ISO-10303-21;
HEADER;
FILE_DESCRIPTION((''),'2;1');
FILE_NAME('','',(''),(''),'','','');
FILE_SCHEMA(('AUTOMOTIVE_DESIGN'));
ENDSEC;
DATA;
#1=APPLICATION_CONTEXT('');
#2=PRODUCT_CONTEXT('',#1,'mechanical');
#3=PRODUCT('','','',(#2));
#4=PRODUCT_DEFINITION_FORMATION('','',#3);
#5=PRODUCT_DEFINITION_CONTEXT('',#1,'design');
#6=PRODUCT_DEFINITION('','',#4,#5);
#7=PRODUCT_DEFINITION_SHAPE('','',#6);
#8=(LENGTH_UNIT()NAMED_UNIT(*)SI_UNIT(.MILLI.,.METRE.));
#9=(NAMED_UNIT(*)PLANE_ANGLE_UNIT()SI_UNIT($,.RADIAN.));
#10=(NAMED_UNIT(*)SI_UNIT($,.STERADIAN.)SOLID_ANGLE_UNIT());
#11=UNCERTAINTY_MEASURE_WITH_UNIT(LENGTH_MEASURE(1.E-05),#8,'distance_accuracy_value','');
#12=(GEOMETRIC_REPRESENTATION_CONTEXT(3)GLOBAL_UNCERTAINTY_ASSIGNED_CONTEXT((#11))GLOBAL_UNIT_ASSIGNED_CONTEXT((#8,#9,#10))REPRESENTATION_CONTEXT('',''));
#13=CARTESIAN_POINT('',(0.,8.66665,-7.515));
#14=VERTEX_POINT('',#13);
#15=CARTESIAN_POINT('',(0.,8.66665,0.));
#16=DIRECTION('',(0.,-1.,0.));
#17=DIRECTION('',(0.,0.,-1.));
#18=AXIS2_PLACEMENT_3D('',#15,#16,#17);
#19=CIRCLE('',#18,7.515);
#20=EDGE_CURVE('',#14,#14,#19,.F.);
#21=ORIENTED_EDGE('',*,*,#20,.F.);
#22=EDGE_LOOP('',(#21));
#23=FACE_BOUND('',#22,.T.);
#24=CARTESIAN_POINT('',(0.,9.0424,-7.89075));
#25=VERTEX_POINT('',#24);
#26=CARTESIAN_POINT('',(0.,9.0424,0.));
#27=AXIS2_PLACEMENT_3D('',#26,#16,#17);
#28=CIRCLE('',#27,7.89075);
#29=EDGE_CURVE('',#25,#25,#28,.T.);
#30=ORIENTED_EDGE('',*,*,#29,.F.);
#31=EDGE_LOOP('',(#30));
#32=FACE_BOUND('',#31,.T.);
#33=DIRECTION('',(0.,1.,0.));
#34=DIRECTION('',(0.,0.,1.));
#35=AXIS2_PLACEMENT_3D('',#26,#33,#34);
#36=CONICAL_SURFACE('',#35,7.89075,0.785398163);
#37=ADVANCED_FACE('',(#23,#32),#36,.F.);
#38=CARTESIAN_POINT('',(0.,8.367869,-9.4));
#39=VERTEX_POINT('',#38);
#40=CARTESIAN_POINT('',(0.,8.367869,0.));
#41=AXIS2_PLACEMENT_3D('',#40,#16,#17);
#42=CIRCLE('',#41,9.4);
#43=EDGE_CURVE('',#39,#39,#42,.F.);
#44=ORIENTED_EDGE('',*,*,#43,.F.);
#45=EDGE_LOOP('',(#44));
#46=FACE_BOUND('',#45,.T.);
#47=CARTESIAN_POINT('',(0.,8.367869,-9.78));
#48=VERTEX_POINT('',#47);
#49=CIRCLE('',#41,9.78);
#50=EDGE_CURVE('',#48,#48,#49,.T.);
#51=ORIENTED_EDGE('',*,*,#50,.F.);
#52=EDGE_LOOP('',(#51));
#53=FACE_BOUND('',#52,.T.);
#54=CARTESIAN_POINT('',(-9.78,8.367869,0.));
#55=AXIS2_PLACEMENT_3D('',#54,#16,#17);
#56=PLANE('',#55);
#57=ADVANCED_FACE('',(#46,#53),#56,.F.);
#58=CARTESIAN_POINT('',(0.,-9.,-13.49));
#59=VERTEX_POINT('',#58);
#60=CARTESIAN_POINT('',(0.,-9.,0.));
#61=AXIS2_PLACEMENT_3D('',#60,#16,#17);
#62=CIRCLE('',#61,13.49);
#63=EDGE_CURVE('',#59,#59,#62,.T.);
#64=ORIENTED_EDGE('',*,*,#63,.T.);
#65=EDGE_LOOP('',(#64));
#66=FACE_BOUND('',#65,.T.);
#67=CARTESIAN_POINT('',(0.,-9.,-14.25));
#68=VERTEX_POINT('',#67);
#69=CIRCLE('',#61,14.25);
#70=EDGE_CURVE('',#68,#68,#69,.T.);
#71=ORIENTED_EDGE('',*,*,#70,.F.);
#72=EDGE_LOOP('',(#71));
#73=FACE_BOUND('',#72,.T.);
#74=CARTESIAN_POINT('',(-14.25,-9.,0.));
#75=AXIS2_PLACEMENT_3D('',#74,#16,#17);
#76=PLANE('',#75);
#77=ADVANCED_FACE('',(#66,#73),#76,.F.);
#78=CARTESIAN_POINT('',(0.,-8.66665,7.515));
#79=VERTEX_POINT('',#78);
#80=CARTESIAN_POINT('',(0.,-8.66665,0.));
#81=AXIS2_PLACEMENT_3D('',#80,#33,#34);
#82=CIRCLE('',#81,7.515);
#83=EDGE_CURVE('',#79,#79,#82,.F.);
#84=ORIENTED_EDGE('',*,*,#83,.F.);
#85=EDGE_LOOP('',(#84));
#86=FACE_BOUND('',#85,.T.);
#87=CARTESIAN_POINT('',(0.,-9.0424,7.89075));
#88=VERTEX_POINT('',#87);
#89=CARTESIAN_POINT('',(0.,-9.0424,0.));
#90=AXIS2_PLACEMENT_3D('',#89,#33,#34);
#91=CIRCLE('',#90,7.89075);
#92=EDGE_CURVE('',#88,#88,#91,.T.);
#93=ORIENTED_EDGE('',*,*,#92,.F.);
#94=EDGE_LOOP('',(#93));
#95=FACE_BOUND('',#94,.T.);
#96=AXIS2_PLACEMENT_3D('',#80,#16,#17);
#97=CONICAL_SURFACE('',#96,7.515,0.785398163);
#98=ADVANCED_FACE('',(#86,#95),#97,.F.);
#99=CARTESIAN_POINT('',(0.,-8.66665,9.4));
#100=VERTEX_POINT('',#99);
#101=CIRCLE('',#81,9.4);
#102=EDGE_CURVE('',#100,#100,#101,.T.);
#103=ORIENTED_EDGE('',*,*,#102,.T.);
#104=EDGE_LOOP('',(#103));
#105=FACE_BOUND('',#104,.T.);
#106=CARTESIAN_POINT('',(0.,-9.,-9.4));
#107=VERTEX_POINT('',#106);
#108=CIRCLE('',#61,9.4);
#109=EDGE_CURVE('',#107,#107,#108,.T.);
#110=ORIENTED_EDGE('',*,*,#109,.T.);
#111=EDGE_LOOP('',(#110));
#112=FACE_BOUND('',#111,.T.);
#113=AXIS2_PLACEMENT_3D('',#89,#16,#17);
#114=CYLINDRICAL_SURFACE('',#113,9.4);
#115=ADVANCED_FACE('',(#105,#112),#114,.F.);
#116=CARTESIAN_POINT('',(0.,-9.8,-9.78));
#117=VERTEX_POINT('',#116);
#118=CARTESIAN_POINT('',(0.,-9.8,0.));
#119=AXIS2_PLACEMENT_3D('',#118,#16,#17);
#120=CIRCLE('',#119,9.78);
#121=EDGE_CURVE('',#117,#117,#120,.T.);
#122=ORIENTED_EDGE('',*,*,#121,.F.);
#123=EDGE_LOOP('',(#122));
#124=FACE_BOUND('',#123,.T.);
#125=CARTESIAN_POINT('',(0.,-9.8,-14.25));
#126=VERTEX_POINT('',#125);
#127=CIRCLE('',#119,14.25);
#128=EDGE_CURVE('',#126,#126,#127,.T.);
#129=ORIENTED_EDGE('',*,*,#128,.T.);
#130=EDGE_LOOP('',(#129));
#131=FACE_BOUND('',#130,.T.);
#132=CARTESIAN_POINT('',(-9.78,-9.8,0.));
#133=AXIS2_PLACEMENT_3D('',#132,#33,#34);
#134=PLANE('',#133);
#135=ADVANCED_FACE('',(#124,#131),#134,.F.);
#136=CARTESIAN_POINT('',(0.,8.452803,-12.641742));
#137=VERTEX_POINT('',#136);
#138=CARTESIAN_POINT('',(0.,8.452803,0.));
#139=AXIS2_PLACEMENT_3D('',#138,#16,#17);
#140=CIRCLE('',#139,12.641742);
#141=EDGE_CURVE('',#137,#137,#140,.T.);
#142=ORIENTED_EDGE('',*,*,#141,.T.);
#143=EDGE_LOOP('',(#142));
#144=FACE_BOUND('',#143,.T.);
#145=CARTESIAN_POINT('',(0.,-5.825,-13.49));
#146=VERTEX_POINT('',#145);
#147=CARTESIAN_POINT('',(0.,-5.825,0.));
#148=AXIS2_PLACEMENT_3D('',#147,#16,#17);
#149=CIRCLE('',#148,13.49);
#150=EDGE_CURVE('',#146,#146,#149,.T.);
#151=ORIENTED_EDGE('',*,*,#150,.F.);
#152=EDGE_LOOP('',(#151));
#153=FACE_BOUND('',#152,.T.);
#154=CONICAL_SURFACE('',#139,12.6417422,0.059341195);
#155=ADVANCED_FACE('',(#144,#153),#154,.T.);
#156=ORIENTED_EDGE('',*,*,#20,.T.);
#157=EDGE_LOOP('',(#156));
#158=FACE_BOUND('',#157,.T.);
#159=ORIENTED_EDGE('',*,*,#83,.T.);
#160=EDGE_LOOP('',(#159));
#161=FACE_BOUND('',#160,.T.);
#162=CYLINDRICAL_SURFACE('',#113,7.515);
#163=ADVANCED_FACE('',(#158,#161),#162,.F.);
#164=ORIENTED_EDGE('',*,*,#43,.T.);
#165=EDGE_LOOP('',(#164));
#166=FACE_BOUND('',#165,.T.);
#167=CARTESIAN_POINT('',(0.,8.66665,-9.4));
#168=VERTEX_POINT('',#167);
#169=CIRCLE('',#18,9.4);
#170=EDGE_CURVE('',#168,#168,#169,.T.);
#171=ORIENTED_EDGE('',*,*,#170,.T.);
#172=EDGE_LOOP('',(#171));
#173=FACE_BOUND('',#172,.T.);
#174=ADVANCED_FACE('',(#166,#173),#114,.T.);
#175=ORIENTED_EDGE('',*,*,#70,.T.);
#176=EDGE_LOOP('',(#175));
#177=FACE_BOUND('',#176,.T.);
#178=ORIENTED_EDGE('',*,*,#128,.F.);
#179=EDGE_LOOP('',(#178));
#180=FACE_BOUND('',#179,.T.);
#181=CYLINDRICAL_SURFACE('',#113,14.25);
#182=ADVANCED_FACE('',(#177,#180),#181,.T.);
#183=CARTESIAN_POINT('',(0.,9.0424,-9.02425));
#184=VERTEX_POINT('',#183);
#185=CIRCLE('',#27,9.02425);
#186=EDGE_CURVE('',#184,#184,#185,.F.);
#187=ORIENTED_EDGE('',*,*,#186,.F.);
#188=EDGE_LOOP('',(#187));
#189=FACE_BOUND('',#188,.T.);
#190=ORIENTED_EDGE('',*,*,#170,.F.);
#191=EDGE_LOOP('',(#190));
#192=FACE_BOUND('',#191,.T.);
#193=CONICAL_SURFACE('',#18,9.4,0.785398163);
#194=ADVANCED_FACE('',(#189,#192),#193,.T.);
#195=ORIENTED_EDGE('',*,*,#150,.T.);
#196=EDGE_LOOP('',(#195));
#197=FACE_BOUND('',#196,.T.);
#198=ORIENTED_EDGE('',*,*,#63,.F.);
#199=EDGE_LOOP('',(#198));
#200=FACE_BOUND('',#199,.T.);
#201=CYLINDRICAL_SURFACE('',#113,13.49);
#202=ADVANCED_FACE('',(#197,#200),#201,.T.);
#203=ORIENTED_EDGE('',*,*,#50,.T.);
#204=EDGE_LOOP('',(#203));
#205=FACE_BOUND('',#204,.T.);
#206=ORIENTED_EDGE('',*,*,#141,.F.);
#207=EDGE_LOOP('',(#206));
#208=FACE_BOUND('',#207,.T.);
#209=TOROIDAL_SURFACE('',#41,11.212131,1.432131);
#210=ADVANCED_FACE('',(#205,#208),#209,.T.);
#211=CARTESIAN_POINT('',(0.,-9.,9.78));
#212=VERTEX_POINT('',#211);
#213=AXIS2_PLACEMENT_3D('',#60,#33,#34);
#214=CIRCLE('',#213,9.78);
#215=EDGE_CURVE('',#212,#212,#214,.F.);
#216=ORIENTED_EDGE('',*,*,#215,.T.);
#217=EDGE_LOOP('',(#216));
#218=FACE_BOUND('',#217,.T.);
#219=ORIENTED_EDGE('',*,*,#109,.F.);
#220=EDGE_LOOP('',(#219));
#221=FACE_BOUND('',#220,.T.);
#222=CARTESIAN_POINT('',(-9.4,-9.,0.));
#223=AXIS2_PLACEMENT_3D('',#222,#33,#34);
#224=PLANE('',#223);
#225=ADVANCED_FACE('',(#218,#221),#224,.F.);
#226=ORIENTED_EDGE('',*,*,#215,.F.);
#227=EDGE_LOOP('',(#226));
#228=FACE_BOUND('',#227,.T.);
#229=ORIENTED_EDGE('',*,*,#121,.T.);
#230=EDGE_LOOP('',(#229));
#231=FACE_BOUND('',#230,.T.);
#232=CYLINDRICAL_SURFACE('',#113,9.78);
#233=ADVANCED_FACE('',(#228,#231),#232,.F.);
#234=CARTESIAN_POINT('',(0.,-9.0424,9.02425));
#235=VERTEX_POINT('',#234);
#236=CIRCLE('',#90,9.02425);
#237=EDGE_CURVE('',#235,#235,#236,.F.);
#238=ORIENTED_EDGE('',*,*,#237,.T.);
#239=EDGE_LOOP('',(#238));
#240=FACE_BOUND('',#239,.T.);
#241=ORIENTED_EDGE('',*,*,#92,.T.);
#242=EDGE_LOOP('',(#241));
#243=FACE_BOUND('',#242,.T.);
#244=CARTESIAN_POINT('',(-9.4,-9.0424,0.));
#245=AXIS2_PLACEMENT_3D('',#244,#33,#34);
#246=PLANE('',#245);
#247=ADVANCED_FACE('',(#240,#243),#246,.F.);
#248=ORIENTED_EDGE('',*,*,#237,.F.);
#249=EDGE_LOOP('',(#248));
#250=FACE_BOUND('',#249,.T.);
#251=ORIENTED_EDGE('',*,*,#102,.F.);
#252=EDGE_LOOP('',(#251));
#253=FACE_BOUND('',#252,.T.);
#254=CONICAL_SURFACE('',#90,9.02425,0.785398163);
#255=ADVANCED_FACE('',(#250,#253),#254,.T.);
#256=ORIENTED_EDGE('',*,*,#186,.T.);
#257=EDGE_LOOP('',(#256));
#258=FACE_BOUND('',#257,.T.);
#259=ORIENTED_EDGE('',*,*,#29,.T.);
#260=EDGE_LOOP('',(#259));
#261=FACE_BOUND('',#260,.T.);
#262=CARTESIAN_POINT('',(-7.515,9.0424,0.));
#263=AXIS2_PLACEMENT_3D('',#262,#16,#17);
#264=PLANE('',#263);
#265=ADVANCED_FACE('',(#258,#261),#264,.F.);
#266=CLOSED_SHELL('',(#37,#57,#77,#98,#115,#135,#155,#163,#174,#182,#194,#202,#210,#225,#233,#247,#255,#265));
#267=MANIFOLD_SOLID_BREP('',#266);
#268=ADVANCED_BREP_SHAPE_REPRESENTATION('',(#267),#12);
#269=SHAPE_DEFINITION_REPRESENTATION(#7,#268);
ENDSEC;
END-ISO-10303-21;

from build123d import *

# Parameters (mm, degrees)
SKETCH3_W     = 1.885
SKETCH3_H     = 18.0848
CHAMFER1_SIZE = 0.37575
SKETCH4_W     = 0.38
SKETCH4_H     = 17.367868501


with BuildPart() as part:
    # Sketch2 → Outer (revolve)
    with BuildSketch(Plane.XY):
        with BuildLine():
            Line((-14.25, -9.8), (-14.25, -9))
            Line((-14.25, -9), (-13.49, -9))
            Line((-13.49, -9), (-13.49, -5.825))
            Line((-13.49, -5.825), (-12.6417422, 8.452803027))
            ThreePointArc((-12.6417422, 8.452803027), (-11.169645536, 9.799369662), (-9.78, 8.367868501))
            Line((-9.78, 8.367868501), (-9.78, -9.8))
            Line((-9.78, -9.8), (-14.25, -9.8))
        make_face()
    revolve(axis=Axis((0, -9.0424, 0), (0, 1, 0)))



with BuildPart() as body_2:
    # Sketch3 → Inner (revolve)
    with BuildSketch(Plane.XY):
        with Locations((-8.4575, 0)):
            Rectangle(SKETCH3_W, SKETCH3_H)
    revolve(axis=Axis((0, -9.0424, 0), (0, 1, 0)))

    # Chamfer1
    chamfer1_edges = [body_2.edges().sort_by_distance(p)[0] for p in [
        (7.515, 9.0424, 0),
        (7.515, -9.0424, 0),
        (9.4, -9.0424, 0),
        (9.4, 9.0424, 0),
    ]]
    chamfer(chamfer1_edges, length=CHAMFER1_SIZE)


with BuildPart() as part_1:
    add(part.part)

    add(body_2.part)  # Combine merges body 2
    # Sketch4 → Combine (revolve)
    with BuildSketch(Plane.XY):
        with Locations((-9.59, -0.316065749)):
            Rectangle(SKETCH4_W, SKETCH4_H)
    revolve(axis=Axis((0, -9.0424, 0), (0, 1, 0)))


solid = part_1.part
